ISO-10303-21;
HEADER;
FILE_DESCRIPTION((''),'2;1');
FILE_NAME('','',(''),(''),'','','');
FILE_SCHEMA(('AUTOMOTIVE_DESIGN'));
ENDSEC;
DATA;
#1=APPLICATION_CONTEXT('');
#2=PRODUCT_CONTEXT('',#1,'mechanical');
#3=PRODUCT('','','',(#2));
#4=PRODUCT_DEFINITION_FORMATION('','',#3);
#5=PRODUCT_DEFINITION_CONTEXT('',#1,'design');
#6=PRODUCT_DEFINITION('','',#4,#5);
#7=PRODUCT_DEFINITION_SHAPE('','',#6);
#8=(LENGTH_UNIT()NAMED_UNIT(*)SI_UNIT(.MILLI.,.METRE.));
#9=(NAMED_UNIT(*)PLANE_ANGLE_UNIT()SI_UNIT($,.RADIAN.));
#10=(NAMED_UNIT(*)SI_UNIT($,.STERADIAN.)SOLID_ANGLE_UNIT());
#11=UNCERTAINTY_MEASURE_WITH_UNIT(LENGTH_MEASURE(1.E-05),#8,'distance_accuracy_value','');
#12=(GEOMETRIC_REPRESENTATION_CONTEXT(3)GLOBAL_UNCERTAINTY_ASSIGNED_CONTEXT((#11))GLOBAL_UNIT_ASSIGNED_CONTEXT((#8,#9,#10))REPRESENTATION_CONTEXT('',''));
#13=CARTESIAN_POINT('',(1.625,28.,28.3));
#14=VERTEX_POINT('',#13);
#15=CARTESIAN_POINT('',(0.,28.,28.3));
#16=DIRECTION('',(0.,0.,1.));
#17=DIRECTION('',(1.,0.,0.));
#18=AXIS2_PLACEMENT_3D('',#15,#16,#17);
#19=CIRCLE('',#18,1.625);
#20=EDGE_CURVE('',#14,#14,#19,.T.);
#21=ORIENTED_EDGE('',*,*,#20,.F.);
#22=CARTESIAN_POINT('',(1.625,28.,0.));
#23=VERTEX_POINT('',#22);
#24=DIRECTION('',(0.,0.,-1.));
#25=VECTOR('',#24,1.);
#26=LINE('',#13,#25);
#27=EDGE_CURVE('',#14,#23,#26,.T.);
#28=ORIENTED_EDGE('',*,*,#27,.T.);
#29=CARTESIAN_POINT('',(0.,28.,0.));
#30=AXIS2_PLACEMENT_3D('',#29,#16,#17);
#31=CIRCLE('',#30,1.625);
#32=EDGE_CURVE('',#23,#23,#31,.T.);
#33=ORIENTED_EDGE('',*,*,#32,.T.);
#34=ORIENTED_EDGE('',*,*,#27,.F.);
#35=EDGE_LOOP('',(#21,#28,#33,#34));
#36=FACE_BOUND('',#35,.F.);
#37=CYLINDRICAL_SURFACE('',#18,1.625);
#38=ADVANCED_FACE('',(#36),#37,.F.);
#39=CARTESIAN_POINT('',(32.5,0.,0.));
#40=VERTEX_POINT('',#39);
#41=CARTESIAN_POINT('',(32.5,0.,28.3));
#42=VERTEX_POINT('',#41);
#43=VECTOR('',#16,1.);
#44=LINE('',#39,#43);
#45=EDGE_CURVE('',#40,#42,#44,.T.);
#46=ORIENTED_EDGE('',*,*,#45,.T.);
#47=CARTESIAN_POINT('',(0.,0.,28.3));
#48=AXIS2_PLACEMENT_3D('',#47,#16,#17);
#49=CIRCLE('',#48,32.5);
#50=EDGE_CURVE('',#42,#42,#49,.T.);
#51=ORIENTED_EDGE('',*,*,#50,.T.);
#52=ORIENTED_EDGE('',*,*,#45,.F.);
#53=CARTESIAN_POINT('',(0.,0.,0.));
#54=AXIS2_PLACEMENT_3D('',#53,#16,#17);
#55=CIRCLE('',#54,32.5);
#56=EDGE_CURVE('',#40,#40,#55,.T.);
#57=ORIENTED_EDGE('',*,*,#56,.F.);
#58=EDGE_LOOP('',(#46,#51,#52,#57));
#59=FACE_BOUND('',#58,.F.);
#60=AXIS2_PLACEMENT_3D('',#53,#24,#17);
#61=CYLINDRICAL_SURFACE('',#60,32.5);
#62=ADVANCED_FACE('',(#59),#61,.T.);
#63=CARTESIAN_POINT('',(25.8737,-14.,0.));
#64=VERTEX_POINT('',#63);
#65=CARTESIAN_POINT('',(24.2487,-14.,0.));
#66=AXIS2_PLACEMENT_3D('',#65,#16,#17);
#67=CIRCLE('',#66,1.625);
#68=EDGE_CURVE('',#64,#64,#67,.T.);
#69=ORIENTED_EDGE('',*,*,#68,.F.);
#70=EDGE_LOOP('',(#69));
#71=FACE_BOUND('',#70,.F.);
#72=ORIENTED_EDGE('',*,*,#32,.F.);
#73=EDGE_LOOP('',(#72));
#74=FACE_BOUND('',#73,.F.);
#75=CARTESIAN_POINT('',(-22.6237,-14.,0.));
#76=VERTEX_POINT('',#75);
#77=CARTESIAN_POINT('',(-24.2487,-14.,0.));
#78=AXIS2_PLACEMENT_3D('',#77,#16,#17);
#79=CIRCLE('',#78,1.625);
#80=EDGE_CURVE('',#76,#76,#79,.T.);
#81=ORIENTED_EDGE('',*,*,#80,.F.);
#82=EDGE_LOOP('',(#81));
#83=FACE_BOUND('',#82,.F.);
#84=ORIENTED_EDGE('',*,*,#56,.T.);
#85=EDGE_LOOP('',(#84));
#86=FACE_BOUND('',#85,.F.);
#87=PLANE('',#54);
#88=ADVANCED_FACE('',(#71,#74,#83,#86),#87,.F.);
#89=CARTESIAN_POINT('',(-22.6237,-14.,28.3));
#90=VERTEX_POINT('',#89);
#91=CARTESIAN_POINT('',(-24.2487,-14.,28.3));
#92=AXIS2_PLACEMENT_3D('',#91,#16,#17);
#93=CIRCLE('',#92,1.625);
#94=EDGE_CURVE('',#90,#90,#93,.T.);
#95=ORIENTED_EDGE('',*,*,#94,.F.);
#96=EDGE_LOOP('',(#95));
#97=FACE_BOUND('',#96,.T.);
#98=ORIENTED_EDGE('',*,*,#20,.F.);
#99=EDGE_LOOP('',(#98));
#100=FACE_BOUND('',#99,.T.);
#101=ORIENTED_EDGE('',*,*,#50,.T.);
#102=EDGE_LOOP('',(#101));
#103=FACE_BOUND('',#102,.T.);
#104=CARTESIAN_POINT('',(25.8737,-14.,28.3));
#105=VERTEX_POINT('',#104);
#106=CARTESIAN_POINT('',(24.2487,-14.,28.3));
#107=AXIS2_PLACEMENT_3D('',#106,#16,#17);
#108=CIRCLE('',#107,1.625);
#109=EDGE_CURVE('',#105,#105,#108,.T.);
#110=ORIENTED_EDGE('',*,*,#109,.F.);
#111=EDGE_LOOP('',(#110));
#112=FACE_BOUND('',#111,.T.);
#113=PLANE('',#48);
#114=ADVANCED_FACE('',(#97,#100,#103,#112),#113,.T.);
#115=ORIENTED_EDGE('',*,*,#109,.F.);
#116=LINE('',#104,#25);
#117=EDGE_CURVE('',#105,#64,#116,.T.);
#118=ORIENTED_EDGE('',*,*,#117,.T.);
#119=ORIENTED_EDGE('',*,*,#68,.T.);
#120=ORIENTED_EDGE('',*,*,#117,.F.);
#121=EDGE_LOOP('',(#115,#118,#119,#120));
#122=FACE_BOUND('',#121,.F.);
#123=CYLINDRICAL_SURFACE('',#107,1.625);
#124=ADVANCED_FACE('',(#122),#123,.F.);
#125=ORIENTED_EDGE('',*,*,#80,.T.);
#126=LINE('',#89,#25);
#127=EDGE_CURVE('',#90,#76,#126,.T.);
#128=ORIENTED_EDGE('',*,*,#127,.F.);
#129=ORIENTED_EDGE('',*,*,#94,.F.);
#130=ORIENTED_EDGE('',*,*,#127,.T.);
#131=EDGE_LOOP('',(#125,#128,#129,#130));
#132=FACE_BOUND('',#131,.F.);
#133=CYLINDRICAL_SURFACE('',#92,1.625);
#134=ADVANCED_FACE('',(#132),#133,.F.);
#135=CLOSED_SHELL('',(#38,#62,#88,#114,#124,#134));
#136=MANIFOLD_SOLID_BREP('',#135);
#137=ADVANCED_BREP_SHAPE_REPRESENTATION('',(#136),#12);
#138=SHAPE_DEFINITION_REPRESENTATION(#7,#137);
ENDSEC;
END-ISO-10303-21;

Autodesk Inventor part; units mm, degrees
ref_plane "우측면도" through (0, 0, 0) normal (1, 0, 0) x (0, 1, 0)
ref_plane "평면도" through (0, 0, 0) normal (0, 1, 0) x (-1, 0, 0)
ref_plane "정면도" through (0, 0, 0) normal (0, 0, 1) x (1, 0, 0)
sketch "스케치2" plane through (0, 0, 0) normal (0, 0, 1) x (1, 0, 0)
  circle A0 centre (0, 0) radius 28
  circle A1 centre (0, 0) radius 32.5
  circle A2 centre (0, 28) radius 1.625 construction
  circle A3 centre (-24.2487, -14) radius 1.625 construction
  circle A4 centre (24.2487, -14) radius 1.625 construction
  line L0 (0, 28) -> (0, 0) construction
  dimension "d8" = 56
  dimension "d9" = 65
  dimension "d10" = 3.25
  dimension "d13" = 360
extrude "돌출1" add sketch "스케치2" along normal blind 28.3 contours A0 | A1
sketch "스케치3" plane through (0, 0, 28.3) normal (0, 0, 1) x (1, 0, 0)
  circle A0 centre (0, 28) radius 1.625 projected
  circle A1 centre (24.2487, -14) radius 1.625 projected
  circle A2 centre (-24.2487, -14) radius 1.625 projected
  point P0 (0, 0)
extrude "돌출2" cut sketch "스케치3" against normal blind 100
properties part number "볼캐스터 받침"
